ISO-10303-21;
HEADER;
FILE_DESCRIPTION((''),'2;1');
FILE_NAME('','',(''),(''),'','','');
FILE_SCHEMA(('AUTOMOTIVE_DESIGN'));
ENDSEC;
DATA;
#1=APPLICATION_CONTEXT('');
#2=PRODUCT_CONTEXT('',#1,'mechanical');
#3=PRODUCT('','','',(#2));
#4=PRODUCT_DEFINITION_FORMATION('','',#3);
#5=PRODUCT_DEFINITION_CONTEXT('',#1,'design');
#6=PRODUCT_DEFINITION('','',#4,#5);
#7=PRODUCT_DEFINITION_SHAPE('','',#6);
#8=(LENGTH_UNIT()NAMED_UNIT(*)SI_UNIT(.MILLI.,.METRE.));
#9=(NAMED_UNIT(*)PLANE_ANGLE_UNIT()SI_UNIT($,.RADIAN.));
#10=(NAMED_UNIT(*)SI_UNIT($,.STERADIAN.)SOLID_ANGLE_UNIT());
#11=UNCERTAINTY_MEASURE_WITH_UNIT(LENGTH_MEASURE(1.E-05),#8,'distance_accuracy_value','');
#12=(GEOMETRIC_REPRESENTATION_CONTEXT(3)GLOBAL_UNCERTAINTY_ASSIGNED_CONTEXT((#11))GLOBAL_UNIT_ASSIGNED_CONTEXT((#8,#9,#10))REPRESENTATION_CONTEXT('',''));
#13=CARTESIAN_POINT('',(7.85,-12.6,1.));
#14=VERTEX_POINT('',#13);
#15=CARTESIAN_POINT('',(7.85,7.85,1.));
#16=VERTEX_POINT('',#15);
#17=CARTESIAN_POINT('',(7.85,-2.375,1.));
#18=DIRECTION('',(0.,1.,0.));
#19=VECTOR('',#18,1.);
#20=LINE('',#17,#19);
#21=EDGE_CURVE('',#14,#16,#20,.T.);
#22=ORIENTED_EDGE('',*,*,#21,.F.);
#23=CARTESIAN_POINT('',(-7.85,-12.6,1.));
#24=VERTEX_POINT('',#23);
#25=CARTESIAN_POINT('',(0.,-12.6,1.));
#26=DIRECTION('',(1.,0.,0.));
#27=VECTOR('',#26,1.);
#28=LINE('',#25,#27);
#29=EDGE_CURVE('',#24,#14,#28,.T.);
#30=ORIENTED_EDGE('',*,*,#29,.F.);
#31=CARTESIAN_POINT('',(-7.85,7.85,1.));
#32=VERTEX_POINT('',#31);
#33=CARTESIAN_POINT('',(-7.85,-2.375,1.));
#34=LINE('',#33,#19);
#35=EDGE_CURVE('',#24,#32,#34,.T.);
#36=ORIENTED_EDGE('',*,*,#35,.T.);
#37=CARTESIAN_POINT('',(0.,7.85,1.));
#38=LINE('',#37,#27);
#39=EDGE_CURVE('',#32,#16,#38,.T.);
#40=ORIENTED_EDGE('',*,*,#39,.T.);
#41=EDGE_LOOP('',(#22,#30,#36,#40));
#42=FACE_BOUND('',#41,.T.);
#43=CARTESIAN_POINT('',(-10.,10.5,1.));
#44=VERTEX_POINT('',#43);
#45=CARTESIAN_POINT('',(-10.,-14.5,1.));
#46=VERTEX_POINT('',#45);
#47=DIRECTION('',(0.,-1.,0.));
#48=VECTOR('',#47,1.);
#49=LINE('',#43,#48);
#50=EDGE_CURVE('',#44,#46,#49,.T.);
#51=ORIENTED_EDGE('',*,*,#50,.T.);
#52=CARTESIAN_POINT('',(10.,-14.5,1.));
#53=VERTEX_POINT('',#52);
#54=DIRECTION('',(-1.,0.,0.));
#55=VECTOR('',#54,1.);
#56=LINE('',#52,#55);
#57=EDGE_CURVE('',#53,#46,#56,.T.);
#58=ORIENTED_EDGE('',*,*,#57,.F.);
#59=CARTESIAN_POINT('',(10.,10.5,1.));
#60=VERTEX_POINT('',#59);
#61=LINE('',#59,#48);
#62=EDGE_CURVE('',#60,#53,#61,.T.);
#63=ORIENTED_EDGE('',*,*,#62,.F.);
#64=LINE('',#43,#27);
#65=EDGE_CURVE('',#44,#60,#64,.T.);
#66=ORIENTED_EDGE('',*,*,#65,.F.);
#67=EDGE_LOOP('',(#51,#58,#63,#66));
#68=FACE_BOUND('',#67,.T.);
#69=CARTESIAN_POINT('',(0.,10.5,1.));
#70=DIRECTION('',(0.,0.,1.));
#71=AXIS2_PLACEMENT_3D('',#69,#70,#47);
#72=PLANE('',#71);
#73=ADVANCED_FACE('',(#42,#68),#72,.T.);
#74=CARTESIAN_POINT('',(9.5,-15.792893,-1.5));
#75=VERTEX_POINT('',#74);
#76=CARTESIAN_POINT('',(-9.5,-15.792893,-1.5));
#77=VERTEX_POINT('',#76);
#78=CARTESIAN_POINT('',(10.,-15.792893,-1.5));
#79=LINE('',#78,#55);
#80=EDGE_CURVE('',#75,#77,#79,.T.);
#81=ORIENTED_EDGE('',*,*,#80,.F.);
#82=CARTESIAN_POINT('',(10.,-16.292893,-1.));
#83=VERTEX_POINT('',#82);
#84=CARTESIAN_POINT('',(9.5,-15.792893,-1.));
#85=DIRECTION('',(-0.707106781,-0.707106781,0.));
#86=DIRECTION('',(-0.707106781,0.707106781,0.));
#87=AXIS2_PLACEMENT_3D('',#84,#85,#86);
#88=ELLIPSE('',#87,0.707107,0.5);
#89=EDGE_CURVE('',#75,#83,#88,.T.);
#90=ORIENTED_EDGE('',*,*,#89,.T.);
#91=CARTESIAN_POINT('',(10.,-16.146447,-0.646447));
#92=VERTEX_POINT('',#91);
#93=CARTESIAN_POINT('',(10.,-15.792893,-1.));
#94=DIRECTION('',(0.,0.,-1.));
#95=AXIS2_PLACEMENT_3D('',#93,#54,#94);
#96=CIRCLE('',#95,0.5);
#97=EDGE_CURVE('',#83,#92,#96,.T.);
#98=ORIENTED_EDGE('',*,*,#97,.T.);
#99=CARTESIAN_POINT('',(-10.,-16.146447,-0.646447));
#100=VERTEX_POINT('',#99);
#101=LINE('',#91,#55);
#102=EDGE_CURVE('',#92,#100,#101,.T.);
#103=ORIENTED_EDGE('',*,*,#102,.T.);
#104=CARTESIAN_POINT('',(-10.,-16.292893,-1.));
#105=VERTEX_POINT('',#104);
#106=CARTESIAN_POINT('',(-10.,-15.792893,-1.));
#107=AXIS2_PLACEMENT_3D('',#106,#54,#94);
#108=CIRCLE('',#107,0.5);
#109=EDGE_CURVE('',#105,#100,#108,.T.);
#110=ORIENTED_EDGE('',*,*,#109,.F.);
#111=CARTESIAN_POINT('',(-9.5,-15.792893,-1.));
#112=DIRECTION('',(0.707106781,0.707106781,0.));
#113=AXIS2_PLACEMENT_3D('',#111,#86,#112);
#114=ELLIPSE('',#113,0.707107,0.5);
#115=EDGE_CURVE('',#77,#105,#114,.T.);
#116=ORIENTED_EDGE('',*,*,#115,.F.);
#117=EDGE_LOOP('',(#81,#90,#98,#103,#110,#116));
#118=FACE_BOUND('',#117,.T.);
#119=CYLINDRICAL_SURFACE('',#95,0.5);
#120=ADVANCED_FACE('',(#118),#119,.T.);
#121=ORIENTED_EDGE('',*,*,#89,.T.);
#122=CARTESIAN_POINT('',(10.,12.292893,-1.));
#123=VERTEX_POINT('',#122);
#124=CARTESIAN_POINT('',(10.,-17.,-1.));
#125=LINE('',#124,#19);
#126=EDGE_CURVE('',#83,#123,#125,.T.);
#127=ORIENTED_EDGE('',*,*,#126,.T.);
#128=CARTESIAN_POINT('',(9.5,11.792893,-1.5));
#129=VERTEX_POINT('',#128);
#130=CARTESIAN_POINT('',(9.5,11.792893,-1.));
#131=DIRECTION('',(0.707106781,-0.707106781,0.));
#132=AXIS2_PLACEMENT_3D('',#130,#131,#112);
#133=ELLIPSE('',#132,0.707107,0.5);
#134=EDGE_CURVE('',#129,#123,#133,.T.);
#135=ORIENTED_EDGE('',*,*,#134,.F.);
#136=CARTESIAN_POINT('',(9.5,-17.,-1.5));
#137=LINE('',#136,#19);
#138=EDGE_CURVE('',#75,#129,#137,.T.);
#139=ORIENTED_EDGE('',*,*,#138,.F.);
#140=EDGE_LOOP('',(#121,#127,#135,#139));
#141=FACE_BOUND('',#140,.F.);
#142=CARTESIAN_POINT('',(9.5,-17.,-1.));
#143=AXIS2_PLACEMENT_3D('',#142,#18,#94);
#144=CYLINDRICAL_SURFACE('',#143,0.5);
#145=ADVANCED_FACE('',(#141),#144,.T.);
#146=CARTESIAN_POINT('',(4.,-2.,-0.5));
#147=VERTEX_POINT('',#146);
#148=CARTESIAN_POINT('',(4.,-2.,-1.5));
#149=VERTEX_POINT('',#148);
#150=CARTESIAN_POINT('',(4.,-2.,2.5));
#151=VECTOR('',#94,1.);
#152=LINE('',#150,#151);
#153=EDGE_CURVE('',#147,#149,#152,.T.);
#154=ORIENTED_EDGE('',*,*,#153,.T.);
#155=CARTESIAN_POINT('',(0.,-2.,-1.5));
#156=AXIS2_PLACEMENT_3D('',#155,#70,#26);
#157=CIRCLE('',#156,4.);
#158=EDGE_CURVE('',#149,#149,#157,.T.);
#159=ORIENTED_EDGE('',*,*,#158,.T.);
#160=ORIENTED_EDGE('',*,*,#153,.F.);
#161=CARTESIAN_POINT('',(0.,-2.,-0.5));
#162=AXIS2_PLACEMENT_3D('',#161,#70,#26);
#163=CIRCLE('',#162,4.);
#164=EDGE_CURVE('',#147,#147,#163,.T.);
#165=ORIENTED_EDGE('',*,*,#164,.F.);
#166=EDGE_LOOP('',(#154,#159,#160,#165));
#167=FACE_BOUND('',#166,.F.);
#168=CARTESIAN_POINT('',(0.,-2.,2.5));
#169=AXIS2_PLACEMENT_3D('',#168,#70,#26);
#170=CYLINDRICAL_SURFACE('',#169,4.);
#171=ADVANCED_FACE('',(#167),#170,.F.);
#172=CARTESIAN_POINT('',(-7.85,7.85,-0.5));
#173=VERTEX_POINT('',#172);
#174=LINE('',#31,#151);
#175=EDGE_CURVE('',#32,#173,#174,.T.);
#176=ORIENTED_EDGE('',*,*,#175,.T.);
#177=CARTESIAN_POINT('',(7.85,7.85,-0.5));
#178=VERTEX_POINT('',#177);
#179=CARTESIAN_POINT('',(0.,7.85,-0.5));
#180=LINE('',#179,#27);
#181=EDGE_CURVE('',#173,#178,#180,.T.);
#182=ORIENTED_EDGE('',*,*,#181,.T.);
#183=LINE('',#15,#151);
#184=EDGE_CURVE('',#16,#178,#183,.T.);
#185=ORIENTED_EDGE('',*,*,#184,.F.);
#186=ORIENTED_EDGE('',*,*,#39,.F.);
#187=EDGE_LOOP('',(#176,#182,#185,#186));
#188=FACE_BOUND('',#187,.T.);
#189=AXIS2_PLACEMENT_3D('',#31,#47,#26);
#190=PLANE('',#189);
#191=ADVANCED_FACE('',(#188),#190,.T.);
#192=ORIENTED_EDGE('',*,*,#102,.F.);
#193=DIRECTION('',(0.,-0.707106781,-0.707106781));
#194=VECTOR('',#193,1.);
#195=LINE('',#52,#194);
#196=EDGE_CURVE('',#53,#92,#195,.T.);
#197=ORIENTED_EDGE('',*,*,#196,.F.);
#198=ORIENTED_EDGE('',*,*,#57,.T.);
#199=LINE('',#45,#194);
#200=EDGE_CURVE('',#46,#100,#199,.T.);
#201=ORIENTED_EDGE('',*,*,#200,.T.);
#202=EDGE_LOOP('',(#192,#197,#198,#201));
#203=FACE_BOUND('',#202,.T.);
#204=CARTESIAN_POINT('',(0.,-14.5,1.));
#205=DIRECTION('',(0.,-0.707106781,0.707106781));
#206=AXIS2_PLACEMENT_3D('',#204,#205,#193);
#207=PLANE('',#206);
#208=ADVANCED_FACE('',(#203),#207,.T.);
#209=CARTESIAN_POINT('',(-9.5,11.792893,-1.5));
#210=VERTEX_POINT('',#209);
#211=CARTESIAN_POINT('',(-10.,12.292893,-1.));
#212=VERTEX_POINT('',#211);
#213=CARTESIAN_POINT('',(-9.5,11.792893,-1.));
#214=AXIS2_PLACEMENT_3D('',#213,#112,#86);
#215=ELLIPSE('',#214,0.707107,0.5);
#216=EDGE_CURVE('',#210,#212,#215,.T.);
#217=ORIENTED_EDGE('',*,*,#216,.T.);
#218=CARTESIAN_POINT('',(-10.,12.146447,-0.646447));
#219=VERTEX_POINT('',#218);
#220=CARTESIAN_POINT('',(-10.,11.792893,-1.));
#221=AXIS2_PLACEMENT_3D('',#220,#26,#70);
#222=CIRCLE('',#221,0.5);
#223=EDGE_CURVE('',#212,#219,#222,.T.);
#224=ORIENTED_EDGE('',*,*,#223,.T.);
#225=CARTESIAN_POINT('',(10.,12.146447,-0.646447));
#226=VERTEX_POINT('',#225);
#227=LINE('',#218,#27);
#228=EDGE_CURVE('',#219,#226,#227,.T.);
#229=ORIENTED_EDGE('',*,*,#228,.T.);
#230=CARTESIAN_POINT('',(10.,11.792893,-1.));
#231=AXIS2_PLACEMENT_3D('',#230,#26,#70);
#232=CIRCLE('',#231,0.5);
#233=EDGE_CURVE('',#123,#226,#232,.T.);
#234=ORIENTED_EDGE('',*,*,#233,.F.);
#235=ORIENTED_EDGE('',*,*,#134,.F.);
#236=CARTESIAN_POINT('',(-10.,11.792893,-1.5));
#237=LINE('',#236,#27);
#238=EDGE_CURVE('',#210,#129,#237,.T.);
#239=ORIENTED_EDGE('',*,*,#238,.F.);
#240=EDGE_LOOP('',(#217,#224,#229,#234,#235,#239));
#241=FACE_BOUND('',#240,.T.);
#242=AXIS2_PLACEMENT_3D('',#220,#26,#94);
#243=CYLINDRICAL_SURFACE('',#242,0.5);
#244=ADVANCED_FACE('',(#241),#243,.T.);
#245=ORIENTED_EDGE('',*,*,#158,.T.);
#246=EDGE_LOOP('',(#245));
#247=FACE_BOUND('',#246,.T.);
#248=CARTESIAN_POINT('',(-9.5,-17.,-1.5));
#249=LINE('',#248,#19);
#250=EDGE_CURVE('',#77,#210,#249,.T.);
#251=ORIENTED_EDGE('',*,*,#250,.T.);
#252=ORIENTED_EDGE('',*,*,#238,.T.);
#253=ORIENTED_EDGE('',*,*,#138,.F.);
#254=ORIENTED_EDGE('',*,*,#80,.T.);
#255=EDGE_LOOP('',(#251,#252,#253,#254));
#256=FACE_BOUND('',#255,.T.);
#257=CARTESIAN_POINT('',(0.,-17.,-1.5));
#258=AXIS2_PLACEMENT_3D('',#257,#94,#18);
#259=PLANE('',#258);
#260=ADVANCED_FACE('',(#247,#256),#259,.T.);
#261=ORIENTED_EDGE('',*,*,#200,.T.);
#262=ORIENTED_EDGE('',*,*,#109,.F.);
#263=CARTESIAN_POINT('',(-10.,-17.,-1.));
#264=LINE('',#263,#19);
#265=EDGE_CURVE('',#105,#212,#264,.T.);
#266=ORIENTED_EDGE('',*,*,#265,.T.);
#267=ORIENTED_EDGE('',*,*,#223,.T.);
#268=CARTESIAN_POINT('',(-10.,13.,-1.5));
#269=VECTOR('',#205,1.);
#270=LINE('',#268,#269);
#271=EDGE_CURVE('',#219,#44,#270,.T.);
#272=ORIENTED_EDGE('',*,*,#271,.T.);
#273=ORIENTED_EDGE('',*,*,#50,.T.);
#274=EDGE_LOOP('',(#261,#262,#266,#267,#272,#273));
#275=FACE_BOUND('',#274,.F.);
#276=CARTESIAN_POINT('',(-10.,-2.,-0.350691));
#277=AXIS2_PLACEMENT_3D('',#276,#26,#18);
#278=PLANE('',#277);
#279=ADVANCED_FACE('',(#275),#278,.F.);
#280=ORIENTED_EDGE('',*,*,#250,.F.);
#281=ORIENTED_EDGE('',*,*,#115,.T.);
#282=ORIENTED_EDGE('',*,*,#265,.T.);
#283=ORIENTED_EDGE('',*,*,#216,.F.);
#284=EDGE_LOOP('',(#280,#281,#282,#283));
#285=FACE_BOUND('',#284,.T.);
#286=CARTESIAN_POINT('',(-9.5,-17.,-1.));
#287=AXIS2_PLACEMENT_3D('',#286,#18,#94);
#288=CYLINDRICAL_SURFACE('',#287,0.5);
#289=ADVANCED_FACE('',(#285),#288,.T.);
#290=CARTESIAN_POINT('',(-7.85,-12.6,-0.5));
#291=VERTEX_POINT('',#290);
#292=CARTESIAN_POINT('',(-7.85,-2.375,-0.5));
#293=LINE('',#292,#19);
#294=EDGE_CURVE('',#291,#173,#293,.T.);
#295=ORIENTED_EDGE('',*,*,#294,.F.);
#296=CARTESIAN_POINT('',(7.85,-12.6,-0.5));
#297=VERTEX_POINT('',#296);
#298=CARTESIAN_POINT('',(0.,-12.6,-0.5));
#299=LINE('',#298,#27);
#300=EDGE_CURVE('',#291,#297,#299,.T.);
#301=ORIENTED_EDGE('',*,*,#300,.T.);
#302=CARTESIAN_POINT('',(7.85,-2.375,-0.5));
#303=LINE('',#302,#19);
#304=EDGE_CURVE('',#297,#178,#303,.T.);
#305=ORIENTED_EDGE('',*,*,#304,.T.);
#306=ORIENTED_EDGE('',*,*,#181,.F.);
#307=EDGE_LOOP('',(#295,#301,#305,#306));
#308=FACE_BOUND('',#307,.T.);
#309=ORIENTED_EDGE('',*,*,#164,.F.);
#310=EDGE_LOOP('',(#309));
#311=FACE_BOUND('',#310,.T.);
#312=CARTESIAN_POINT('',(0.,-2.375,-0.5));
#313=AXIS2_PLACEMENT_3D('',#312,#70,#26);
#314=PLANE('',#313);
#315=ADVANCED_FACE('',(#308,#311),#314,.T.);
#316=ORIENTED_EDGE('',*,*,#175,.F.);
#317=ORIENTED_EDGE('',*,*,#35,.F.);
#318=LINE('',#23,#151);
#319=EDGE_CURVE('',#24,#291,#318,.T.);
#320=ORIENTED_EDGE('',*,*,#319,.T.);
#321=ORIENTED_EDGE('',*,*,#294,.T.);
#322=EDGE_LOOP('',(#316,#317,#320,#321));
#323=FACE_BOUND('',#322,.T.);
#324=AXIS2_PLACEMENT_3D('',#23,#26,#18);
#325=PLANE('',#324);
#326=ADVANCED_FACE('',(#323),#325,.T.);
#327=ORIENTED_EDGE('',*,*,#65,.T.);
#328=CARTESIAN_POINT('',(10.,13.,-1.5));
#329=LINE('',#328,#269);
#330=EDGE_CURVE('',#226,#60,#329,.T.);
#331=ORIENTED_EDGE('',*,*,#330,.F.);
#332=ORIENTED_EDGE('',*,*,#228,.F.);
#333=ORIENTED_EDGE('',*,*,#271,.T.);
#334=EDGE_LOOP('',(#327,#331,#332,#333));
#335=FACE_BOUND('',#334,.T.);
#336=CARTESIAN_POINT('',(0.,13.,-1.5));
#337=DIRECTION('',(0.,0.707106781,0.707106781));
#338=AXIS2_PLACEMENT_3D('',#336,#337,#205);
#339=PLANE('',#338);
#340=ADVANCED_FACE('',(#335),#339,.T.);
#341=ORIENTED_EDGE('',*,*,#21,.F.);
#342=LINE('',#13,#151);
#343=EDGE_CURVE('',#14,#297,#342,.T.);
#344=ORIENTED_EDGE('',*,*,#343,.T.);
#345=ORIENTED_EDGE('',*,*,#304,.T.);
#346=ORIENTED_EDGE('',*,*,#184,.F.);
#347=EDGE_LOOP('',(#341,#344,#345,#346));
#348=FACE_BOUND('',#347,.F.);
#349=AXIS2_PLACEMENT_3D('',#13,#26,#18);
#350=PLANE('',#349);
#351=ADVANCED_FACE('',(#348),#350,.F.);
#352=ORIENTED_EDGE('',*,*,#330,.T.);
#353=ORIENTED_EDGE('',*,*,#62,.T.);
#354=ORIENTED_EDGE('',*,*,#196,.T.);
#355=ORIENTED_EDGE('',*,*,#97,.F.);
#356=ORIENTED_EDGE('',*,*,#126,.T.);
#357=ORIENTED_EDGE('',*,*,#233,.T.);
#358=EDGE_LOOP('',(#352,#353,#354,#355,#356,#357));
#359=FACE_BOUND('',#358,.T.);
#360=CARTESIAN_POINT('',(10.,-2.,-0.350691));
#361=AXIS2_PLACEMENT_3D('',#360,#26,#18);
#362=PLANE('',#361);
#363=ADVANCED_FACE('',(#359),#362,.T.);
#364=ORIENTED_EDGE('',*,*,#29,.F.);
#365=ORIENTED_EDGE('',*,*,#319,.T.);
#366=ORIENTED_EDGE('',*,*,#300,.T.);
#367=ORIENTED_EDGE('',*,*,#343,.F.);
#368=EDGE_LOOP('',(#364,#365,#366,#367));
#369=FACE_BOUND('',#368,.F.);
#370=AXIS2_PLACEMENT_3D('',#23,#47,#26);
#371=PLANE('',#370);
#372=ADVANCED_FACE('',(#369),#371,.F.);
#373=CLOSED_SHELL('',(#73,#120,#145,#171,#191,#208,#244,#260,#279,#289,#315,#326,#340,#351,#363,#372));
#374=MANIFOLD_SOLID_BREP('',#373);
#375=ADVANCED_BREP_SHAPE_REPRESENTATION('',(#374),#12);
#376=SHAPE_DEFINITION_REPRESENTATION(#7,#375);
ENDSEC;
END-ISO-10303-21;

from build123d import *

# Parameters (mm, degrees)
PAD031_DEPTH    = 10
SKETCH069_W     = 15.7
SKETCH069_H     = 20.45
POCKET022_DEPTH = 1.5
FILLET010_R     = 0.5
SKETCH083_R     = 4
POCKET024_DEPTH = 4.001


with BuildPart() as part:
    # Sketch068 → Pad031 (new body, symmetric)
    with BuildSketch(Plane.YZ):
        Polygon((-15, -4), (15, -4), (12.5, -1.5), (-12.5, -1.5), align=None)
    extrude(amount=PAD031_DEPTH, both=True)

    # Sketch069 → Pocket022 (cut)
    with BuildSketch(Plane(origin=(0, 2, -1.5), x_dir=(1, 0, 0), z_dir=(0, 0, 1))):
        with Locations((0, -2.375)):
            Rectangle(SKETCH069_W, SKETCH069_H)
    extrude(amount=-POCKET022_DEPTH, mode=Mode.SUBTRACT)

    # Fillet010
    fillet010_edges = [part.edges().sort_by_distance(p)[0] for p in [
        (0, -15, -4),
        (0, 15, -4),
        (-10, 0, -4),
        (10, 0, -4),
    ]]
    fillet(fillet010_edges, radius=FILLET010_R)

    # Sketch083 → Pocket024 (cut, through all)
    with BuildSketch(Plane.XY):
        Circle(SKETCH083_R)
    extrude(amount=-POCKET024_DEPTH, mode=Mode.SUBTRACT)


with BuildPart() as part_1:
    # Body022 placement: moved
    add(part.part.moved(Location((0, -2, 2.5))))


solid = part_1.part
